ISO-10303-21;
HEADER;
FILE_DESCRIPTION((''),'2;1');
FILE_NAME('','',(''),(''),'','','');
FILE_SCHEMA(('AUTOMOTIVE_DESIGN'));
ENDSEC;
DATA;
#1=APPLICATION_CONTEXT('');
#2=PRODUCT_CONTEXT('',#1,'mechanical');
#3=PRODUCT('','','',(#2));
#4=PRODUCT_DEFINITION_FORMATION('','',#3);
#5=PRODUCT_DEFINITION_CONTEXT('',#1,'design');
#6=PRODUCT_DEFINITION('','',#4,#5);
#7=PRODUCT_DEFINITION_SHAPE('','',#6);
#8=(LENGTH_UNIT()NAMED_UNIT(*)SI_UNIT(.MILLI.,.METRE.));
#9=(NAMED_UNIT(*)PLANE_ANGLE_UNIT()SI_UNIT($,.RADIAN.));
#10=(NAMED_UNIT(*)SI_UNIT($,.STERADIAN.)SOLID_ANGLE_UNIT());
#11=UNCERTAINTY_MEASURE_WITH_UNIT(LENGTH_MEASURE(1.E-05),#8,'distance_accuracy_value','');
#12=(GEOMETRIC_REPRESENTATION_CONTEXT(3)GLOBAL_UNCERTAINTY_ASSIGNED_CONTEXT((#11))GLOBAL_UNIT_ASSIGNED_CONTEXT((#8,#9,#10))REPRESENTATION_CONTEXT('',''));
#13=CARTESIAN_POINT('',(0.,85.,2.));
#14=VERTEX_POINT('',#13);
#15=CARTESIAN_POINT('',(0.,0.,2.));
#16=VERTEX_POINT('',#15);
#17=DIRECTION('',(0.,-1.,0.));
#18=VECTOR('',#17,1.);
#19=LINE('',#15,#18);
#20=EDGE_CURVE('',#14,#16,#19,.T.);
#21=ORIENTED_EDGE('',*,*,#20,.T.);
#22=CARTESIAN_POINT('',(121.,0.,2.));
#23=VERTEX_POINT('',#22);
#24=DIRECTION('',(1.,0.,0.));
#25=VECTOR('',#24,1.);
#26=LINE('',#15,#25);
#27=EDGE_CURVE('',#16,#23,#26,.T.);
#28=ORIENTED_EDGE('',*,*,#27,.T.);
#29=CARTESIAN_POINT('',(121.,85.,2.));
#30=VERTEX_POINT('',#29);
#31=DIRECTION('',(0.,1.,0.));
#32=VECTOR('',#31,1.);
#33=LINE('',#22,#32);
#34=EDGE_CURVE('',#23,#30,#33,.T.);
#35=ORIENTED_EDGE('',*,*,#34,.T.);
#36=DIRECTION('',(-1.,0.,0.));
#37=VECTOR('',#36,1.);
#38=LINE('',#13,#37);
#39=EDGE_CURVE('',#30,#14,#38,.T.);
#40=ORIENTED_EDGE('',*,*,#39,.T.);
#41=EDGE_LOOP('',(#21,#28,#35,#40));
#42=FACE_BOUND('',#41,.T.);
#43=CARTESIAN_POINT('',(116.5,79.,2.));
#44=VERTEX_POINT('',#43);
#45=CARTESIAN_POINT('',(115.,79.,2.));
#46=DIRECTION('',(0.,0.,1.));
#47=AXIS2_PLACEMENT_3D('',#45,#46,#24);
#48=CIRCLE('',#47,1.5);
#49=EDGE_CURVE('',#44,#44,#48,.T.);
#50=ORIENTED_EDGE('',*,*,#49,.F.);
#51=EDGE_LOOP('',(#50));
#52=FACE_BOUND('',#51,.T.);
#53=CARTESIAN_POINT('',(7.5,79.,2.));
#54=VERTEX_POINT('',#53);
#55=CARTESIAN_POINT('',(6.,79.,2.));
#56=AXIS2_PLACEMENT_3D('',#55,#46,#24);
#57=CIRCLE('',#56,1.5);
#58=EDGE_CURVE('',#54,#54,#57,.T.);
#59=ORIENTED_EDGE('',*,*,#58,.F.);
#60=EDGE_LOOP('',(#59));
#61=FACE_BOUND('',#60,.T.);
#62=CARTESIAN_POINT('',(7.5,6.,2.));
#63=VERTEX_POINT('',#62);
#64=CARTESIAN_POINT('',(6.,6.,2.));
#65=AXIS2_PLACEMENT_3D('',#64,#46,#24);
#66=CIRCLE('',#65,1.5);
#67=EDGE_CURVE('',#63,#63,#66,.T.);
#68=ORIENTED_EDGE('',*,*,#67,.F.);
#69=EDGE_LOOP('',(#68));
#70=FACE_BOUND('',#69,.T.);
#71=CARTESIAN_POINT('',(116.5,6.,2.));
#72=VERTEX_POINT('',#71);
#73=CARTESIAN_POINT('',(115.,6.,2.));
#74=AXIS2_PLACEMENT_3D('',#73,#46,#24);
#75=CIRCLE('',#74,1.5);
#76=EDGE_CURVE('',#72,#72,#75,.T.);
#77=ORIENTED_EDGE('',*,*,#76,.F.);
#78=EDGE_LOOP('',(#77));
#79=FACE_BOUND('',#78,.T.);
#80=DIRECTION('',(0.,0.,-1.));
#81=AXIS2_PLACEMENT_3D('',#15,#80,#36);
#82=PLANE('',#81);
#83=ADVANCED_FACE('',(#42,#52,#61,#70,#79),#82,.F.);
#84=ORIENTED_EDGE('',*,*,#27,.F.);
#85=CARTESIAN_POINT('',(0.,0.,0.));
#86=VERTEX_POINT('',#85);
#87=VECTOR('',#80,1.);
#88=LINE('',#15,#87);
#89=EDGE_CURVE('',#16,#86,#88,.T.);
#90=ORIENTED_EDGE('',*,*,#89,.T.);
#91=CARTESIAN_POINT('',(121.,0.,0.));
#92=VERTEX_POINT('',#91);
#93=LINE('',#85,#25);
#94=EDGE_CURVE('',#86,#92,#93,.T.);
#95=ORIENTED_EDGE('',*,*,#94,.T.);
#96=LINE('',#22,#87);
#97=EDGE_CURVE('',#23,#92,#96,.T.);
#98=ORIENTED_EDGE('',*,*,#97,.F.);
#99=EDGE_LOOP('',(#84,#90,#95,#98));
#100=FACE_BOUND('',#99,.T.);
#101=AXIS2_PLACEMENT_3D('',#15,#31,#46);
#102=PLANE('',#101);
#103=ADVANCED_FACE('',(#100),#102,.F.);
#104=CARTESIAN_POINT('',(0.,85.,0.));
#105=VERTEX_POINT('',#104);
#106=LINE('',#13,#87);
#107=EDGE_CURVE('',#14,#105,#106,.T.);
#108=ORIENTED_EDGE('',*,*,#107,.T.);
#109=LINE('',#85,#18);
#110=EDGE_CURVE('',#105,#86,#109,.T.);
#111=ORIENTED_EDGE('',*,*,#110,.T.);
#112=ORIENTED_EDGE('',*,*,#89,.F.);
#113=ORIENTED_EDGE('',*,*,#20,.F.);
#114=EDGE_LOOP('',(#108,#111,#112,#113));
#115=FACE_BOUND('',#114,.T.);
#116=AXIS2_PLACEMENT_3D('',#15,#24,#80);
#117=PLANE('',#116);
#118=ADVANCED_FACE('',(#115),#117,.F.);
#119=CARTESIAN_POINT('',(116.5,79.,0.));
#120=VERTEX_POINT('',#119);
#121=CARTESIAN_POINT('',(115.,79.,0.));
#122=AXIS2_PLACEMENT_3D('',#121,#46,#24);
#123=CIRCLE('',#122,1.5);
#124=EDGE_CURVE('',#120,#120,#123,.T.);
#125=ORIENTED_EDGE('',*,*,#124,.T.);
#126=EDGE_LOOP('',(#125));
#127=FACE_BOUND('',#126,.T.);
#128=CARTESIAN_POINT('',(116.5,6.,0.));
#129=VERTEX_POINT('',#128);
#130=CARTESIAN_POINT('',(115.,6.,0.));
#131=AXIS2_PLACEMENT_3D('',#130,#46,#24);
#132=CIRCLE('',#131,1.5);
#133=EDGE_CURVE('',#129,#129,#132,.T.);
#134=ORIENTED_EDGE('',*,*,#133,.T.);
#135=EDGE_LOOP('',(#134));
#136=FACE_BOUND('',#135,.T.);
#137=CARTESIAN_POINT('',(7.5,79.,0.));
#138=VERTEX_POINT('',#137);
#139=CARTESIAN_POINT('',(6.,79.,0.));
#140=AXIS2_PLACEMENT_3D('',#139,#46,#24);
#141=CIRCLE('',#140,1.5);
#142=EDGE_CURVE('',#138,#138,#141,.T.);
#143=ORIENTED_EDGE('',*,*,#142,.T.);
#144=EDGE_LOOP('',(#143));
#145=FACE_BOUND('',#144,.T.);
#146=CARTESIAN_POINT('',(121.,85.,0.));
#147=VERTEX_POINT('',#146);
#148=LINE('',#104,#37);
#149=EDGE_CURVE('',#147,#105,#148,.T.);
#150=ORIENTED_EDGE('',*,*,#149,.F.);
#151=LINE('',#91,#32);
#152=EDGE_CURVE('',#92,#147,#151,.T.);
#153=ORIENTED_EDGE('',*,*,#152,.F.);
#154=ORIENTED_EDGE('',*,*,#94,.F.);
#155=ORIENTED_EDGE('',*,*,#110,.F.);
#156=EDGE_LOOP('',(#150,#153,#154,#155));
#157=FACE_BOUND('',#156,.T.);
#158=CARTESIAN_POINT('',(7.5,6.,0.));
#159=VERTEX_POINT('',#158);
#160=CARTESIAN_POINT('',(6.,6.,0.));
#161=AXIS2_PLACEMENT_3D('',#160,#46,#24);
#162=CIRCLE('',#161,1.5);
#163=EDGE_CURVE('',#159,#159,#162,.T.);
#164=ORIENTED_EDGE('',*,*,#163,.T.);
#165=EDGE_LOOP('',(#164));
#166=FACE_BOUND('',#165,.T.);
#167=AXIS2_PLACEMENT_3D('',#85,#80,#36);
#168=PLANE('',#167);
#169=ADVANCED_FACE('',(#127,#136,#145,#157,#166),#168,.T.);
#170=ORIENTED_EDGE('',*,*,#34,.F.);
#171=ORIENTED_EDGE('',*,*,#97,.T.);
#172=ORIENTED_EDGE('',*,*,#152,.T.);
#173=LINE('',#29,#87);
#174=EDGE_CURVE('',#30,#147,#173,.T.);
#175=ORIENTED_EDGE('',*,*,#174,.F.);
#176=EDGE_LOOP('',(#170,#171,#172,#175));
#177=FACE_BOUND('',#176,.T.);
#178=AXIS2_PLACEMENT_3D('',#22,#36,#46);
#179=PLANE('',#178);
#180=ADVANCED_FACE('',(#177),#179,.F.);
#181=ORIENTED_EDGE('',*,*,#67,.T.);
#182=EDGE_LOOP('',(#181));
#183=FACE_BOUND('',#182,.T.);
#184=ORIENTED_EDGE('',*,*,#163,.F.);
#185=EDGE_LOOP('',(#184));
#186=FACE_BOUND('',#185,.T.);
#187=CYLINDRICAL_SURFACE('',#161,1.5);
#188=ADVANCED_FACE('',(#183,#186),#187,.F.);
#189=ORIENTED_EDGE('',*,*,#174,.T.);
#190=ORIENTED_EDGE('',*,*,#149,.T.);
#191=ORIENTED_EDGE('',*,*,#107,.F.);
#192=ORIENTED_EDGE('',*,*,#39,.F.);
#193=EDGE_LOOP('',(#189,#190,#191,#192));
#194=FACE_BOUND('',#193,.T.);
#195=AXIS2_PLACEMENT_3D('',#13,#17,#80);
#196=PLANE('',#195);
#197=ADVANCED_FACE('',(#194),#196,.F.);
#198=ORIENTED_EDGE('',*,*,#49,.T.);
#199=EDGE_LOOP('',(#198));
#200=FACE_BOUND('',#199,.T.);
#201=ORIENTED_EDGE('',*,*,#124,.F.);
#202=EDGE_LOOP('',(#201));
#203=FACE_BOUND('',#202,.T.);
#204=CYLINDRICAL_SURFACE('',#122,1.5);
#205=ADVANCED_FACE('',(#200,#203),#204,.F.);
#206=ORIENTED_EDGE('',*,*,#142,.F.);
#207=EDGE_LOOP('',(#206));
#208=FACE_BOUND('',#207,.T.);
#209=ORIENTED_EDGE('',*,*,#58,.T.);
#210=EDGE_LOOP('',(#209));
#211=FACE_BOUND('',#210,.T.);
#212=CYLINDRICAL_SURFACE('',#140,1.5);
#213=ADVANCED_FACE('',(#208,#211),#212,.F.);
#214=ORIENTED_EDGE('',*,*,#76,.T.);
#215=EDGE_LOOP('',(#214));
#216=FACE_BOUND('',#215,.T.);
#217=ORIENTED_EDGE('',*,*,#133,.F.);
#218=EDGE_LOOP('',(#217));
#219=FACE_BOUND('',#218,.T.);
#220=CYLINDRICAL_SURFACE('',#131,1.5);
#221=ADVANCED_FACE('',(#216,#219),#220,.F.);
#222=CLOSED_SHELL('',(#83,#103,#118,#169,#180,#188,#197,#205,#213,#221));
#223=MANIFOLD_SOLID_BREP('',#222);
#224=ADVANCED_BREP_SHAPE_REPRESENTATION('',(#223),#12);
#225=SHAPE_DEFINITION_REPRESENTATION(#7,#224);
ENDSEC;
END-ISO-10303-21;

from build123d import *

# Parameters (mm, degrees)
SKETCH1_W           = 121
SKETCH1_H           = 85
BOSS_EXTRUDE1_DEPTH = 2
SKETCH5_R           = 1.5
CUT_EXTRUDE2_DEPTH  = 148.885090526


with BuildPart() as part:
    # Sketch1 → Boss-Extrude1 (new body)
    with BuildSketch(Plane.XY):
        with Locations((60.5, 42.5)):
            Rectangle(SKETCH1_W, SKETCH1_H)
    extrude(amount=BOSS_EXTRUDE1_DEPTH)

    # Sketch5 → Cut-Extrude2 (cut, through all)
    with BuildSketch(Plane.XY.offset(2)):
        with Locations((6, 79)):
            Circle(SKETCH5_R)
        with Locations((115, 79)):
            Circle(SKETCH5_R)
        with Locations((6, 6)):
            Circle(SKETCH5_R)
        with Locations((115, 6)):
            Circle(SKETCH5_R)
    extrude(amount=-CUT_EXTRUDE2_DEPTH, mode=Mode.SUBTRACT)


solid = part.part
